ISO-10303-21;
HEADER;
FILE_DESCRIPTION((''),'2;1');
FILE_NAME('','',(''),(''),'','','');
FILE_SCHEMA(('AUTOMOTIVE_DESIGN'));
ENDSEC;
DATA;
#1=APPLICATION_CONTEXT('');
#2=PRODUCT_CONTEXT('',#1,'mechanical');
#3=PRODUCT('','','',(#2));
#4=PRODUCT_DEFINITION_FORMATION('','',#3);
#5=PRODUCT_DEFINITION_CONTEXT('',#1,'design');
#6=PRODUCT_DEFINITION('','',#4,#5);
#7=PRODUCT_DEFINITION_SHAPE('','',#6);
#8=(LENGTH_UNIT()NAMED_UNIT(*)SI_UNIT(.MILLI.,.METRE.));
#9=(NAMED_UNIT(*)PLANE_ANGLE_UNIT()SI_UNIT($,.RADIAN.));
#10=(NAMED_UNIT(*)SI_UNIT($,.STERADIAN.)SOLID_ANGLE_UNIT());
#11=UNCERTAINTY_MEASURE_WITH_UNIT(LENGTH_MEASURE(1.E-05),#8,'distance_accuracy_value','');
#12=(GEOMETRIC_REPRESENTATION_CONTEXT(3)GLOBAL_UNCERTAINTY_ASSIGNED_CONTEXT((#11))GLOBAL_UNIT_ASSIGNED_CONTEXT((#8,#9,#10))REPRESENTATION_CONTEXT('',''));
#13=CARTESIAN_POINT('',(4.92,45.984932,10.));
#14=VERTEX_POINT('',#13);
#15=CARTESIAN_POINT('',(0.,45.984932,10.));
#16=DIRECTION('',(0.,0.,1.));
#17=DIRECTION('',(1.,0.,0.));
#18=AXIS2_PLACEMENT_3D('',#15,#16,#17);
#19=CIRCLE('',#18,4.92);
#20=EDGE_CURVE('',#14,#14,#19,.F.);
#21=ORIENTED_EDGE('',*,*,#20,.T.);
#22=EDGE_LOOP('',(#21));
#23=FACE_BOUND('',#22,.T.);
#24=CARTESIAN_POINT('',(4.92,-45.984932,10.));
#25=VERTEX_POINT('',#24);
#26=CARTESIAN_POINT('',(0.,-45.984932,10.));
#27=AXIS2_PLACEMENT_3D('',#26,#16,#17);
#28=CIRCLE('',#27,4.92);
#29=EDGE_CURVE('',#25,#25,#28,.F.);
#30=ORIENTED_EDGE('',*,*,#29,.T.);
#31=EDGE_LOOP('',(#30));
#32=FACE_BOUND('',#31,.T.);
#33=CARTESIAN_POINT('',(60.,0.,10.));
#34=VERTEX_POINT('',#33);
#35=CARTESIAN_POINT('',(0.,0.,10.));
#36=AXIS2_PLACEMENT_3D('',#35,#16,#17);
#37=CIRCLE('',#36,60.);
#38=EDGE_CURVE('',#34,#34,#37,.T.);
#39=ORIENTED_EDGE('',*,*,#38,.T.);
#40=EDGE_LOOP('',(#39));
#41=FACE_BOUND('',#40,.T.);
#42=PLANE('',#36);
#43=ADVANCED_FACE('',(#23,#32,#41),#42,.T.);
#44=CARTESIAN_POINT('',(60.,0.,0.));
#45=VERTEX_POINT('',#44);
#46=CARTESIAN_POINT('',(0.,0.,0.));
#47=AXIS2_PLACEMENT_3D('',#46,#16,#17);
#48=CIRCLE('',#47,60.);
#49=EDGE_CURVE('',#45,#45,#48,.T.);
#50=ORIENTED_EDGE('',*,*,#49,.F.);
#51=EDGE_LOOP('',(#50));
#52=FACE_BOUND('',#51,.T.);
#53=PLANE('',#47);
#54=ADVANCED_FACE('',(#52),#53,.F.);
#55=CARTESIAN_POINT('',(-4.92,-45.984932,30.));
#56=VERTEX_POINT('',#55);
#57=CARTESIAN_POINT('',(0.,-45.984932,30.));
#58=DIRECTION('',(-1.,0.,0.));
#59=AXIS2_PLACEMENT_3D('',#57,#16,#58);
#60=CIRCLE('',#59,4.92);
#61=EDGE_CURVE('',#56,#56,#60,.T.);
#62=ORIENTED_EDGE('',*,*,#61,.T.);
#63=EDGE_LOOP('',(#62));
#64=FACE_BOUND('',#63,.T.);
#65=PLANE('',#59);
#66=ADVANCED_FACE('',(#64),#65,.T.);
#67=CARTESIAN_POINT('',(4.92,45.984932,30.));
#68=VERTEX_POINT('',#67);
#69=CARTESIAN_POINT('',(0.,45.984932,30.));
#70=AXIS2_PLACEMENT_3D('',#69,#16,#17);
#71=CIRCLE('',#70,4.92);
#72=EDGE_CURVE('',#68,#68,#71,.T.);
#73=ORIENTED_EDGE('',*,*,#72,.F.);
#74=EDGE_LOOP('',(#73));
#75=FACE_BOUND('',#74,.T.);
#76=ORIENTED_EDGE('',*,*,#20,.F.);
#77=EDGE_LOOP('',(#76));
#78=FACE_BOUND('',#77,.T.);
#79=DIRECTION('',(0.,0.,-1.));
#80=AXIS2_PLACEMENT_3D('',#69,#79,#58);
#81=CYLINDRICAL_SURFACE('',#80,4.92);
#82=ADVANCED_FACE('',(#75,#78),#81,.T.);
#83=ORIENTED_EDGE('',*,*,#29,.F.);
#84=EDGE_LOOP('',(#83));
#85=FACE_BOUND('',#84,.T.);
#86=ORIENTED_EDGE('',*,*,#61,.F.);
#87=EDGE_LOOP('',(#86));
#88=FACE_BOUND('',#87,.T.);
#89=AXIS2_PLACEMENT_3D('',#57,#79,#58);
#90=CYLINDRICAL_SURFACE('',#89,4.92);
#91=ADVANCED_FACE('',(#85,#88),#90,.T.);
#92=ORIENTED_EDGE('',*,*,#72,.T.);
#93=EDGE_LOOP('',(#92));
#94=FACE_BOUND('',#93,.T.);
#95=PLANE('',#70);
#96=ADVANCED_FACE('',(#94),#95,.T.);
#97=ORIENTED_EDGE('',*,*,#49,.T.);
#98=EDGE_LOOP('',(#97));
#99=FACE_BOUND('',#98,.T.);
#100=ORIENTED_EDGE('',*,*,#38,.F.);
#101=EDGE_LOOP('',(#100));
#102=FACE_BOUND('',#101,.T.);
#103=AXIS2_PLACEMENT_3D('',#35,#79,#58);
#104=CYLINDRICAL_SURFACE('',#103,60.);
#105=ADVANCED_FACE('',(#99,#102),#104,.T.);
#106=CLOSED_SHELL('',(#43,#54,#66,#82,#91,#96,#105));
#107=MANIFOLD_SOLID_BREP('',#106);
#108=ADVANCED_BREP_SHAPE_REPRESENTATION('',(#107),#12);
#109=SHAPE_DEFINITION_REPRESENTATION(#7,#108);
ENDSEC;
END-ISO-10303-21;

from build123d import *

# Parameters (mm, degrees)
SKETCH1_R           = 60
BOSS_EXTRUDE1_DEPTH = 10
SKETCH2_R           = 4.92
BOSS_EXTRUDE2_DEPTH = 30
CIRPATTERN1_COUNT   = 2


with BuildPart() as part:
    # Sketch1 → Boss-Extrude1 (new body)
    with BuildSketch(Plane.XY):
        Circle(SKETCH1_R)
    extrude(amount=BOSS_EXTRUDE1_DEPTH)

    # Sketch2 → Boss-Extrude2 (add)
    with BuildSketch(Plane.XY):
        with Locations((0, 45.984931592)):
            Circle(SKETCH2_R)
    boss_extrude2 = extrude(amount=BOSS_EXTRUDE2_DEPTH)

    # CirPattern1: Boss-Extrude2 ×2 about axis
    cirpattern1_axis = Axis((0, 0, 10), (0, 0, -1))
    for i in range(1, CIRPATTERN1_COUNT):
        add(boss_extrude2.rotate(cirpattern1_axis, i * 360 / CIRPATTERN1_COUNT))


solid = part.part
